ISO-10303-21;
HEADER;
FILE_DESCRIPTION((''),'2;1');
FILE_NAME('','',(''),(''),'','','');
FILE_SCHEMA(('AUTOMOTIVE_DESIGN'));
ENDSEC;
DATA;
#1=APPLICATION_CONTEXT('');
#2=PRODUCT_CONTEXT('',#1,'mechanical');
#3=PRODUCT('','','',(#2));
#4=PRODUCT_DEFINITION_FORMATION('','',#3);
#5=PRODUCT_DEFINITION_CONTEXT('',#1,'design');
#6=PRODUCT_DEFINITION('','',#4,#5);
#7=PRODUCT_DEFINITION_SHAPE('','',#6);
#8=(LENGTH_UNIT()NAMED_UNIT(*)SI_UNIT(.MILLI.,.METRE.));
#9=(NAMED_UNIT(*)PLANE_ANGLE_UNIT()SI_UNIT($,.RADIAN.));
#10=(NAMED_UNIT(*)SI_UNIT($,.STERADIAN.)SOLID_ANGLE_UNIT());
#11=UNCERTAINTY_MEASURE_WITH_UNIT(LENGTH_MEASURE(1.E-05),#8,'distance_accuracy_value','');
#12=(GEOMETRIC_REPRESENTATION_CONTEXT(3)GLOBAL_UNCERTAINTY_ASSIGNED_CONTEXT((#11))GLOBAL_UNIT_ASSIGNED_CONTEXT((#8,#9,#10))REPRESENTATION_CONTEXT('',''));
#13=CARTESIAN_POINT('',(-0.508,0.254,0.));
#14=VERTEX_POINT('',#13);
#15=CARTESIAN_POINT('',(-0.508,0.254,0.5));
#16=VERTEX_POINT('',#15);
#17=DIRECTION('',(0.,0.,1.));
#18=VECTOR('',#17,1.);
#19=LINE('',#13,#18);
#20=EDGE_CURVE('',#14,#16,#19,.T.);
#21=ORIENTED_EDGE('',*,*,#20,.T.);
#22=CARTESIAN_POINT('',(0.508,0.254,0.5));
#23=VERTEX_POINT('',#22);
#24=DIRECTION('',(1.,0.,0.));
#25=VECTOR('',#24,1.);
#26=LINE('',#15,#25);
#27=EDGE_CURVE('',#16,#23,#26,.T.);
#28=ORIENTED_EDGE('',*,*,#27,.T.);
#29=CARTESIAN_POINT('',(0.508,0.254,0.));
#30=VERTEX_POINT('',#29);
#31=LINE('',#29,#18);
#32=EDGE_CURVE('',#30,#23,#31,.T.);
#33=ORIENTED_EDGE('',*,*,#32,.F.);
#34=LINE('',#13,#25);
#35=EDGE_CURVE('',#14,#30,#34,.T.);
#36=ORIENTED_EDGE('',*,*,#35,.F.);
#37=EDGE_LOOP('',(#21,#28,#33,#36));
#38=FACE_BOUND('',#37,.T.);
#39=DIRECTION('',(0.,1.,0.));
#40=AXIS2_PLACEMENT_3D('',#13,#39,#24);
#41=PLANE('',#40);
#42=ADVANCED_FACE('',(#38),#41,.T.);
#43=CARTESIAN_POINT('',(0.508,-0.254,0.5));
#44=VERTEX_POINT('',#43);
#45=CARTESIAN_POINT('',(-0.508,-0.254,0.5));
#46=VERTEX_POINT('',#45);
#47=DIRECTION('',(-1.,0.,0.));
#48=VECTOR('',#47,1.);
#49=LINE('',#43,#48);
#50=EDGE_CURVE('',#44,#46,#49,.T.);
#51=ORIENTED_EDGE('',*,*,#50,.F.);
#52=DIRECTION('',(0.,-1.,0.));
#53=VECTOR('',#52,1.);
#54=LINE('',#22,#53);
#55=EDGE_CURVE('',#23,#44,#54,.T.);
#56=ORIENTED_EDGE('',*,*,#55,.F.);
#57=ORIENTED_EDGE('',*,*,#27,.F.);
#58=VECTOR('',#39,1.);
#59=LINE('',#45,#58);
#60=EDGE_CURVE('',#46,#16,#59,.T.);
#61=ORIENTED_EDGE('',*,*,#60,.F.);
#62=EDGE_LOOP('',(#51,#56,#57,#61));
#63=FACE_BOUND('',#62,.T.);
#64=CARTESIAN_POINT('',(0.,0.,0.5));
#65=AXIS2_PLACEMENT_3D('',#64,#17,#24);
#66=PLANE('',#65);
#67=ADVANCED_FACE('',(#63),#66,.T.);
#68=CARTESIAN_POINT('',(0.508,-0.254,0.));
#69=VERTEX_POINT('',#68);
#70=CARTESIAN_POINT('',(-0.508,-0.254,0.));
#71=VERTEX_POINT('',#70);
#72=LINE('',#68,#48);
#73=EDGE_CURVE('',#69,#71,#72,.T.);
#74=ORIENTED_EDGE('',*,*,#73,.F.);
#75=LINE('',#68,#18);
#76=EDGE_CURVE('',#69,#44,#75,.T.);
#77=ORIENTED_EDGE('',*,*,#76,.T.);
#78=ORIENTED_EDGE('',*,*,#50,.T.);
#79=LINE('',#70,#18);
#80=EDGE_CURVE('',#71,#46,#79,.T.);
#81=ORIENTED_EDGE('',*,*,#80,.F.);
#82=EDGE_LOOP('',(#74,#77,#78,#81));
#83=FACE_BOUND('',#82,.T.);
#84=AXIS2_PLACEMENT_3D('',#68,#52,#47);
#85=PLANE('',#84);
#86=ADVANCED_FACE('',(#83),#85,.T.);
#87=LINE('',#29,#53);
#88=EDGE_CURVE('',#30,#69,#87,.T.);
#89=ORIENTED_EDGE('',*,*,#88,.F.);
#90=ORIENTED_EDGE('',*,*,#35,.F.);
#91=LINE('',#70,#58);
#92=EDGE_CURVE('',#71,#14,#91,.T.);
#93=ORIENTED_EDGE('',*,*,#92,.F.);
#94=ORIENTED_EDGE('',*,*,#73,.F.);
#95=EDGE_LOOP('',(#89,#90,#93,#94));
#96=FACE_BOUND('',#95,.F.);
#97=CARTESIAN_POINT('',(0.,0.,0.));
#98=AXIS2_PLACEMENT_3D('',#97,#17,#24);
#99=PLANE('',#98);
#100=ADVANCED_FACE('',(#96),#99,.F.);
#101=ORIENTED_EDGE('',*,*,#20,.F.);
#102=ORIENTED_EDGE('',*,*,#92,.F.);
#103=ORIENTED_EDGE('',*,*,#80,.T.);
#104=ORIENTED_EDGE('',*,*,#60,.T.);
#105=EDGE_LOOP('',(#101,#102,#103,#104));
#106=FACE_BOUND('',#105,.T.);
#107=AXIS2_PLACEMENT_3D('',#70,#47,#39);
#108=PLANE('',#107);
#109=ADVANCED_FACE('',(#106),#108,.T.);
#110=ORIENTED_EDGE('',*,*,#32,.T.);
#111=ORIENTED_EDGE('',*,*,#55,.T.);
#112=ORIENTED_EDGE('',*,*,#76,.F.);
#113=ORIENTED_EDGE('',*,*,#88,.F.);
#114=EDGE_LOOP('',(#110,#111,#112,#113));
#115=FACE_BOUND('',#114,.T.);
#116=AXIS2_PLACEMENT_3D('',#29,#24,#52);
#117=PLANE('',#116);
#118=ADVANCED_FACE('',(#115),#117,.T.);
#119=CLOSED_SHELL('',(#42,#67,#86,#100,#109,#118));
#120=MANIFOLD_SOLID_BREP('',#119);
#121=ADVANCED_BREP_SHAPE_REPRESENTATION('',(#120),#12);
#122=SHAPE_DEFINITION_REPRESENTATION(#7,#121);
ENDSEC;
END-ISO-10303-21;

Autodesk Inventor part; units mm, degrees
ref_plane "YZ Plane" through (0, 0, 0) normal (1, 0, 0) x (0, 1, 0)
ref_plane "XZ Plane" through (0, 0, 0) normal (0, 1, 0) x (-1, 0, 0)
ref_plane "XY Plane" through (0, 0, 0) normal (0, 0, 1) x (1, 0, 0)
sketch "C0402, 1uF_106" plane through (0, 0, 0) normal (0, 0, 1) x (1, 0, 0)
  line L0 (-0.508, 0.254) -> (0.508, 0.254)
  line L1 (0.508, 0.254) -> (0.508, -0.254)
  line L2 (0.508, -0.254) -> (-0.508, -0.254)
  line L3 (-0.508, -0.254) -> (-0.508, 0.254)
extrude "Extrusion1" add sketch "C0402, 1uF_106" along normal blind 0.5
properties part number "1uF"
